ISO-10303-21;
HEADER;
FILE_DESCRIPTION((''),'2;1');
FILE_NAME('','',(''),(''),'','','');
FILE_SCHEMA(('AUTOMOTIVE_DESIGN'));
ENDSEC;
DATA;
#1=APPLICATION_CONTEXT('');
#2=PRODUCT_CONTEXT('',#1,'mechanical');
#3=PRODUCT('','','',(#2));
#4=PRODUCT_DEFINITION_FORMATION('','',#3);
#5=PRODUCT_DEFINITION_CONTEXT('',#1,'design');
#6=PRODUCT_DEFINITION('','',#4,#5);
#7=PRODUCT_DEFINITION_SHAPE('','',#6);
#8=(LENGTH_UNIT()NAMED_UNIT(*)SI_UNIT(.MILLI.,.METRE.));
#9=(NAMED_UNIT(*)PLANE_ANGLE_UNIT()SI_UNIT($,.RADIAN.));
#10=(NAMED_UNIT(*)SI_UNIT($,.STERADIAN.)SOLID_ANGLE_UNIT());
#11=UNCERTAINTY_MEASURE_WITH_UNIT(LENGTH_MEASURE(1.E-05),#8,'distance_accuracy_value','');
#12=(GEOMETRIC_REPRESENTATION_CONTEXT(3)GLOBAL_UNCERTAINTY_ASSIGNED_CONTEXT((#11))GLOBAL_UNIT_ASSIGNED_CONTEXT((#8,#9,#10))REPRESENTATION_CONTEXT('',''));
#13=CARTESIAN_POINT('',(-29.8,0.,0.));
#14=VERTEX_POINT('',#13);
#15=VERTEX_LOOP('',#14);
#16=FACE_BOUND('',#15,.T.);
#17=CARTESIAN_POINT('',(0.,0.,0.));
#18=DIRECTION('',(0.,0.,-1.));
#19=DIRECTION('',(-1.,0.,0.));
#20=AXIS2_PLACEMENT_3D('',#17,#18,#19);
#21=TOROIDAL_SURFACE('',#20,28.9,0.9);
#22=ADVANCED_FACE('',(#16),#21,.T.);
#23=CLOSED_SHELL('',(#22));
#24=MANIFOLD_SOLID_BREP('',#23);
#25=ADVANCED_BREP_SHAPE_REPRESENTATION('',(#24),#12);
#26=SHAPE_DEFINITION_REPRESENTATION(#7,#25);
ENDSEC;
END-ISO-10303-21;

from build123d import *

# Parameters (mm, degrees)
SKETCH2_R = 0.9


with BuildPart() as part:
    # Sweep1: sweep along a path in Sketch1
    with BuildLine(Plane.XY) as sweep1_path:
        CenterArc((0, 0), 28, 0, 360)
    # Sketch2 → Sweep1 (sweep)
    with BuildSketch(Plane(origin=(0, 0, 0), x_dir=(1, 0, 0), z_dir=(0, 1, 0))):
        with Locations((-28.9, 0)):
            Circle(SKETCH2_R)
    sweep(path=sweep1_path.line)


solid = part.part
